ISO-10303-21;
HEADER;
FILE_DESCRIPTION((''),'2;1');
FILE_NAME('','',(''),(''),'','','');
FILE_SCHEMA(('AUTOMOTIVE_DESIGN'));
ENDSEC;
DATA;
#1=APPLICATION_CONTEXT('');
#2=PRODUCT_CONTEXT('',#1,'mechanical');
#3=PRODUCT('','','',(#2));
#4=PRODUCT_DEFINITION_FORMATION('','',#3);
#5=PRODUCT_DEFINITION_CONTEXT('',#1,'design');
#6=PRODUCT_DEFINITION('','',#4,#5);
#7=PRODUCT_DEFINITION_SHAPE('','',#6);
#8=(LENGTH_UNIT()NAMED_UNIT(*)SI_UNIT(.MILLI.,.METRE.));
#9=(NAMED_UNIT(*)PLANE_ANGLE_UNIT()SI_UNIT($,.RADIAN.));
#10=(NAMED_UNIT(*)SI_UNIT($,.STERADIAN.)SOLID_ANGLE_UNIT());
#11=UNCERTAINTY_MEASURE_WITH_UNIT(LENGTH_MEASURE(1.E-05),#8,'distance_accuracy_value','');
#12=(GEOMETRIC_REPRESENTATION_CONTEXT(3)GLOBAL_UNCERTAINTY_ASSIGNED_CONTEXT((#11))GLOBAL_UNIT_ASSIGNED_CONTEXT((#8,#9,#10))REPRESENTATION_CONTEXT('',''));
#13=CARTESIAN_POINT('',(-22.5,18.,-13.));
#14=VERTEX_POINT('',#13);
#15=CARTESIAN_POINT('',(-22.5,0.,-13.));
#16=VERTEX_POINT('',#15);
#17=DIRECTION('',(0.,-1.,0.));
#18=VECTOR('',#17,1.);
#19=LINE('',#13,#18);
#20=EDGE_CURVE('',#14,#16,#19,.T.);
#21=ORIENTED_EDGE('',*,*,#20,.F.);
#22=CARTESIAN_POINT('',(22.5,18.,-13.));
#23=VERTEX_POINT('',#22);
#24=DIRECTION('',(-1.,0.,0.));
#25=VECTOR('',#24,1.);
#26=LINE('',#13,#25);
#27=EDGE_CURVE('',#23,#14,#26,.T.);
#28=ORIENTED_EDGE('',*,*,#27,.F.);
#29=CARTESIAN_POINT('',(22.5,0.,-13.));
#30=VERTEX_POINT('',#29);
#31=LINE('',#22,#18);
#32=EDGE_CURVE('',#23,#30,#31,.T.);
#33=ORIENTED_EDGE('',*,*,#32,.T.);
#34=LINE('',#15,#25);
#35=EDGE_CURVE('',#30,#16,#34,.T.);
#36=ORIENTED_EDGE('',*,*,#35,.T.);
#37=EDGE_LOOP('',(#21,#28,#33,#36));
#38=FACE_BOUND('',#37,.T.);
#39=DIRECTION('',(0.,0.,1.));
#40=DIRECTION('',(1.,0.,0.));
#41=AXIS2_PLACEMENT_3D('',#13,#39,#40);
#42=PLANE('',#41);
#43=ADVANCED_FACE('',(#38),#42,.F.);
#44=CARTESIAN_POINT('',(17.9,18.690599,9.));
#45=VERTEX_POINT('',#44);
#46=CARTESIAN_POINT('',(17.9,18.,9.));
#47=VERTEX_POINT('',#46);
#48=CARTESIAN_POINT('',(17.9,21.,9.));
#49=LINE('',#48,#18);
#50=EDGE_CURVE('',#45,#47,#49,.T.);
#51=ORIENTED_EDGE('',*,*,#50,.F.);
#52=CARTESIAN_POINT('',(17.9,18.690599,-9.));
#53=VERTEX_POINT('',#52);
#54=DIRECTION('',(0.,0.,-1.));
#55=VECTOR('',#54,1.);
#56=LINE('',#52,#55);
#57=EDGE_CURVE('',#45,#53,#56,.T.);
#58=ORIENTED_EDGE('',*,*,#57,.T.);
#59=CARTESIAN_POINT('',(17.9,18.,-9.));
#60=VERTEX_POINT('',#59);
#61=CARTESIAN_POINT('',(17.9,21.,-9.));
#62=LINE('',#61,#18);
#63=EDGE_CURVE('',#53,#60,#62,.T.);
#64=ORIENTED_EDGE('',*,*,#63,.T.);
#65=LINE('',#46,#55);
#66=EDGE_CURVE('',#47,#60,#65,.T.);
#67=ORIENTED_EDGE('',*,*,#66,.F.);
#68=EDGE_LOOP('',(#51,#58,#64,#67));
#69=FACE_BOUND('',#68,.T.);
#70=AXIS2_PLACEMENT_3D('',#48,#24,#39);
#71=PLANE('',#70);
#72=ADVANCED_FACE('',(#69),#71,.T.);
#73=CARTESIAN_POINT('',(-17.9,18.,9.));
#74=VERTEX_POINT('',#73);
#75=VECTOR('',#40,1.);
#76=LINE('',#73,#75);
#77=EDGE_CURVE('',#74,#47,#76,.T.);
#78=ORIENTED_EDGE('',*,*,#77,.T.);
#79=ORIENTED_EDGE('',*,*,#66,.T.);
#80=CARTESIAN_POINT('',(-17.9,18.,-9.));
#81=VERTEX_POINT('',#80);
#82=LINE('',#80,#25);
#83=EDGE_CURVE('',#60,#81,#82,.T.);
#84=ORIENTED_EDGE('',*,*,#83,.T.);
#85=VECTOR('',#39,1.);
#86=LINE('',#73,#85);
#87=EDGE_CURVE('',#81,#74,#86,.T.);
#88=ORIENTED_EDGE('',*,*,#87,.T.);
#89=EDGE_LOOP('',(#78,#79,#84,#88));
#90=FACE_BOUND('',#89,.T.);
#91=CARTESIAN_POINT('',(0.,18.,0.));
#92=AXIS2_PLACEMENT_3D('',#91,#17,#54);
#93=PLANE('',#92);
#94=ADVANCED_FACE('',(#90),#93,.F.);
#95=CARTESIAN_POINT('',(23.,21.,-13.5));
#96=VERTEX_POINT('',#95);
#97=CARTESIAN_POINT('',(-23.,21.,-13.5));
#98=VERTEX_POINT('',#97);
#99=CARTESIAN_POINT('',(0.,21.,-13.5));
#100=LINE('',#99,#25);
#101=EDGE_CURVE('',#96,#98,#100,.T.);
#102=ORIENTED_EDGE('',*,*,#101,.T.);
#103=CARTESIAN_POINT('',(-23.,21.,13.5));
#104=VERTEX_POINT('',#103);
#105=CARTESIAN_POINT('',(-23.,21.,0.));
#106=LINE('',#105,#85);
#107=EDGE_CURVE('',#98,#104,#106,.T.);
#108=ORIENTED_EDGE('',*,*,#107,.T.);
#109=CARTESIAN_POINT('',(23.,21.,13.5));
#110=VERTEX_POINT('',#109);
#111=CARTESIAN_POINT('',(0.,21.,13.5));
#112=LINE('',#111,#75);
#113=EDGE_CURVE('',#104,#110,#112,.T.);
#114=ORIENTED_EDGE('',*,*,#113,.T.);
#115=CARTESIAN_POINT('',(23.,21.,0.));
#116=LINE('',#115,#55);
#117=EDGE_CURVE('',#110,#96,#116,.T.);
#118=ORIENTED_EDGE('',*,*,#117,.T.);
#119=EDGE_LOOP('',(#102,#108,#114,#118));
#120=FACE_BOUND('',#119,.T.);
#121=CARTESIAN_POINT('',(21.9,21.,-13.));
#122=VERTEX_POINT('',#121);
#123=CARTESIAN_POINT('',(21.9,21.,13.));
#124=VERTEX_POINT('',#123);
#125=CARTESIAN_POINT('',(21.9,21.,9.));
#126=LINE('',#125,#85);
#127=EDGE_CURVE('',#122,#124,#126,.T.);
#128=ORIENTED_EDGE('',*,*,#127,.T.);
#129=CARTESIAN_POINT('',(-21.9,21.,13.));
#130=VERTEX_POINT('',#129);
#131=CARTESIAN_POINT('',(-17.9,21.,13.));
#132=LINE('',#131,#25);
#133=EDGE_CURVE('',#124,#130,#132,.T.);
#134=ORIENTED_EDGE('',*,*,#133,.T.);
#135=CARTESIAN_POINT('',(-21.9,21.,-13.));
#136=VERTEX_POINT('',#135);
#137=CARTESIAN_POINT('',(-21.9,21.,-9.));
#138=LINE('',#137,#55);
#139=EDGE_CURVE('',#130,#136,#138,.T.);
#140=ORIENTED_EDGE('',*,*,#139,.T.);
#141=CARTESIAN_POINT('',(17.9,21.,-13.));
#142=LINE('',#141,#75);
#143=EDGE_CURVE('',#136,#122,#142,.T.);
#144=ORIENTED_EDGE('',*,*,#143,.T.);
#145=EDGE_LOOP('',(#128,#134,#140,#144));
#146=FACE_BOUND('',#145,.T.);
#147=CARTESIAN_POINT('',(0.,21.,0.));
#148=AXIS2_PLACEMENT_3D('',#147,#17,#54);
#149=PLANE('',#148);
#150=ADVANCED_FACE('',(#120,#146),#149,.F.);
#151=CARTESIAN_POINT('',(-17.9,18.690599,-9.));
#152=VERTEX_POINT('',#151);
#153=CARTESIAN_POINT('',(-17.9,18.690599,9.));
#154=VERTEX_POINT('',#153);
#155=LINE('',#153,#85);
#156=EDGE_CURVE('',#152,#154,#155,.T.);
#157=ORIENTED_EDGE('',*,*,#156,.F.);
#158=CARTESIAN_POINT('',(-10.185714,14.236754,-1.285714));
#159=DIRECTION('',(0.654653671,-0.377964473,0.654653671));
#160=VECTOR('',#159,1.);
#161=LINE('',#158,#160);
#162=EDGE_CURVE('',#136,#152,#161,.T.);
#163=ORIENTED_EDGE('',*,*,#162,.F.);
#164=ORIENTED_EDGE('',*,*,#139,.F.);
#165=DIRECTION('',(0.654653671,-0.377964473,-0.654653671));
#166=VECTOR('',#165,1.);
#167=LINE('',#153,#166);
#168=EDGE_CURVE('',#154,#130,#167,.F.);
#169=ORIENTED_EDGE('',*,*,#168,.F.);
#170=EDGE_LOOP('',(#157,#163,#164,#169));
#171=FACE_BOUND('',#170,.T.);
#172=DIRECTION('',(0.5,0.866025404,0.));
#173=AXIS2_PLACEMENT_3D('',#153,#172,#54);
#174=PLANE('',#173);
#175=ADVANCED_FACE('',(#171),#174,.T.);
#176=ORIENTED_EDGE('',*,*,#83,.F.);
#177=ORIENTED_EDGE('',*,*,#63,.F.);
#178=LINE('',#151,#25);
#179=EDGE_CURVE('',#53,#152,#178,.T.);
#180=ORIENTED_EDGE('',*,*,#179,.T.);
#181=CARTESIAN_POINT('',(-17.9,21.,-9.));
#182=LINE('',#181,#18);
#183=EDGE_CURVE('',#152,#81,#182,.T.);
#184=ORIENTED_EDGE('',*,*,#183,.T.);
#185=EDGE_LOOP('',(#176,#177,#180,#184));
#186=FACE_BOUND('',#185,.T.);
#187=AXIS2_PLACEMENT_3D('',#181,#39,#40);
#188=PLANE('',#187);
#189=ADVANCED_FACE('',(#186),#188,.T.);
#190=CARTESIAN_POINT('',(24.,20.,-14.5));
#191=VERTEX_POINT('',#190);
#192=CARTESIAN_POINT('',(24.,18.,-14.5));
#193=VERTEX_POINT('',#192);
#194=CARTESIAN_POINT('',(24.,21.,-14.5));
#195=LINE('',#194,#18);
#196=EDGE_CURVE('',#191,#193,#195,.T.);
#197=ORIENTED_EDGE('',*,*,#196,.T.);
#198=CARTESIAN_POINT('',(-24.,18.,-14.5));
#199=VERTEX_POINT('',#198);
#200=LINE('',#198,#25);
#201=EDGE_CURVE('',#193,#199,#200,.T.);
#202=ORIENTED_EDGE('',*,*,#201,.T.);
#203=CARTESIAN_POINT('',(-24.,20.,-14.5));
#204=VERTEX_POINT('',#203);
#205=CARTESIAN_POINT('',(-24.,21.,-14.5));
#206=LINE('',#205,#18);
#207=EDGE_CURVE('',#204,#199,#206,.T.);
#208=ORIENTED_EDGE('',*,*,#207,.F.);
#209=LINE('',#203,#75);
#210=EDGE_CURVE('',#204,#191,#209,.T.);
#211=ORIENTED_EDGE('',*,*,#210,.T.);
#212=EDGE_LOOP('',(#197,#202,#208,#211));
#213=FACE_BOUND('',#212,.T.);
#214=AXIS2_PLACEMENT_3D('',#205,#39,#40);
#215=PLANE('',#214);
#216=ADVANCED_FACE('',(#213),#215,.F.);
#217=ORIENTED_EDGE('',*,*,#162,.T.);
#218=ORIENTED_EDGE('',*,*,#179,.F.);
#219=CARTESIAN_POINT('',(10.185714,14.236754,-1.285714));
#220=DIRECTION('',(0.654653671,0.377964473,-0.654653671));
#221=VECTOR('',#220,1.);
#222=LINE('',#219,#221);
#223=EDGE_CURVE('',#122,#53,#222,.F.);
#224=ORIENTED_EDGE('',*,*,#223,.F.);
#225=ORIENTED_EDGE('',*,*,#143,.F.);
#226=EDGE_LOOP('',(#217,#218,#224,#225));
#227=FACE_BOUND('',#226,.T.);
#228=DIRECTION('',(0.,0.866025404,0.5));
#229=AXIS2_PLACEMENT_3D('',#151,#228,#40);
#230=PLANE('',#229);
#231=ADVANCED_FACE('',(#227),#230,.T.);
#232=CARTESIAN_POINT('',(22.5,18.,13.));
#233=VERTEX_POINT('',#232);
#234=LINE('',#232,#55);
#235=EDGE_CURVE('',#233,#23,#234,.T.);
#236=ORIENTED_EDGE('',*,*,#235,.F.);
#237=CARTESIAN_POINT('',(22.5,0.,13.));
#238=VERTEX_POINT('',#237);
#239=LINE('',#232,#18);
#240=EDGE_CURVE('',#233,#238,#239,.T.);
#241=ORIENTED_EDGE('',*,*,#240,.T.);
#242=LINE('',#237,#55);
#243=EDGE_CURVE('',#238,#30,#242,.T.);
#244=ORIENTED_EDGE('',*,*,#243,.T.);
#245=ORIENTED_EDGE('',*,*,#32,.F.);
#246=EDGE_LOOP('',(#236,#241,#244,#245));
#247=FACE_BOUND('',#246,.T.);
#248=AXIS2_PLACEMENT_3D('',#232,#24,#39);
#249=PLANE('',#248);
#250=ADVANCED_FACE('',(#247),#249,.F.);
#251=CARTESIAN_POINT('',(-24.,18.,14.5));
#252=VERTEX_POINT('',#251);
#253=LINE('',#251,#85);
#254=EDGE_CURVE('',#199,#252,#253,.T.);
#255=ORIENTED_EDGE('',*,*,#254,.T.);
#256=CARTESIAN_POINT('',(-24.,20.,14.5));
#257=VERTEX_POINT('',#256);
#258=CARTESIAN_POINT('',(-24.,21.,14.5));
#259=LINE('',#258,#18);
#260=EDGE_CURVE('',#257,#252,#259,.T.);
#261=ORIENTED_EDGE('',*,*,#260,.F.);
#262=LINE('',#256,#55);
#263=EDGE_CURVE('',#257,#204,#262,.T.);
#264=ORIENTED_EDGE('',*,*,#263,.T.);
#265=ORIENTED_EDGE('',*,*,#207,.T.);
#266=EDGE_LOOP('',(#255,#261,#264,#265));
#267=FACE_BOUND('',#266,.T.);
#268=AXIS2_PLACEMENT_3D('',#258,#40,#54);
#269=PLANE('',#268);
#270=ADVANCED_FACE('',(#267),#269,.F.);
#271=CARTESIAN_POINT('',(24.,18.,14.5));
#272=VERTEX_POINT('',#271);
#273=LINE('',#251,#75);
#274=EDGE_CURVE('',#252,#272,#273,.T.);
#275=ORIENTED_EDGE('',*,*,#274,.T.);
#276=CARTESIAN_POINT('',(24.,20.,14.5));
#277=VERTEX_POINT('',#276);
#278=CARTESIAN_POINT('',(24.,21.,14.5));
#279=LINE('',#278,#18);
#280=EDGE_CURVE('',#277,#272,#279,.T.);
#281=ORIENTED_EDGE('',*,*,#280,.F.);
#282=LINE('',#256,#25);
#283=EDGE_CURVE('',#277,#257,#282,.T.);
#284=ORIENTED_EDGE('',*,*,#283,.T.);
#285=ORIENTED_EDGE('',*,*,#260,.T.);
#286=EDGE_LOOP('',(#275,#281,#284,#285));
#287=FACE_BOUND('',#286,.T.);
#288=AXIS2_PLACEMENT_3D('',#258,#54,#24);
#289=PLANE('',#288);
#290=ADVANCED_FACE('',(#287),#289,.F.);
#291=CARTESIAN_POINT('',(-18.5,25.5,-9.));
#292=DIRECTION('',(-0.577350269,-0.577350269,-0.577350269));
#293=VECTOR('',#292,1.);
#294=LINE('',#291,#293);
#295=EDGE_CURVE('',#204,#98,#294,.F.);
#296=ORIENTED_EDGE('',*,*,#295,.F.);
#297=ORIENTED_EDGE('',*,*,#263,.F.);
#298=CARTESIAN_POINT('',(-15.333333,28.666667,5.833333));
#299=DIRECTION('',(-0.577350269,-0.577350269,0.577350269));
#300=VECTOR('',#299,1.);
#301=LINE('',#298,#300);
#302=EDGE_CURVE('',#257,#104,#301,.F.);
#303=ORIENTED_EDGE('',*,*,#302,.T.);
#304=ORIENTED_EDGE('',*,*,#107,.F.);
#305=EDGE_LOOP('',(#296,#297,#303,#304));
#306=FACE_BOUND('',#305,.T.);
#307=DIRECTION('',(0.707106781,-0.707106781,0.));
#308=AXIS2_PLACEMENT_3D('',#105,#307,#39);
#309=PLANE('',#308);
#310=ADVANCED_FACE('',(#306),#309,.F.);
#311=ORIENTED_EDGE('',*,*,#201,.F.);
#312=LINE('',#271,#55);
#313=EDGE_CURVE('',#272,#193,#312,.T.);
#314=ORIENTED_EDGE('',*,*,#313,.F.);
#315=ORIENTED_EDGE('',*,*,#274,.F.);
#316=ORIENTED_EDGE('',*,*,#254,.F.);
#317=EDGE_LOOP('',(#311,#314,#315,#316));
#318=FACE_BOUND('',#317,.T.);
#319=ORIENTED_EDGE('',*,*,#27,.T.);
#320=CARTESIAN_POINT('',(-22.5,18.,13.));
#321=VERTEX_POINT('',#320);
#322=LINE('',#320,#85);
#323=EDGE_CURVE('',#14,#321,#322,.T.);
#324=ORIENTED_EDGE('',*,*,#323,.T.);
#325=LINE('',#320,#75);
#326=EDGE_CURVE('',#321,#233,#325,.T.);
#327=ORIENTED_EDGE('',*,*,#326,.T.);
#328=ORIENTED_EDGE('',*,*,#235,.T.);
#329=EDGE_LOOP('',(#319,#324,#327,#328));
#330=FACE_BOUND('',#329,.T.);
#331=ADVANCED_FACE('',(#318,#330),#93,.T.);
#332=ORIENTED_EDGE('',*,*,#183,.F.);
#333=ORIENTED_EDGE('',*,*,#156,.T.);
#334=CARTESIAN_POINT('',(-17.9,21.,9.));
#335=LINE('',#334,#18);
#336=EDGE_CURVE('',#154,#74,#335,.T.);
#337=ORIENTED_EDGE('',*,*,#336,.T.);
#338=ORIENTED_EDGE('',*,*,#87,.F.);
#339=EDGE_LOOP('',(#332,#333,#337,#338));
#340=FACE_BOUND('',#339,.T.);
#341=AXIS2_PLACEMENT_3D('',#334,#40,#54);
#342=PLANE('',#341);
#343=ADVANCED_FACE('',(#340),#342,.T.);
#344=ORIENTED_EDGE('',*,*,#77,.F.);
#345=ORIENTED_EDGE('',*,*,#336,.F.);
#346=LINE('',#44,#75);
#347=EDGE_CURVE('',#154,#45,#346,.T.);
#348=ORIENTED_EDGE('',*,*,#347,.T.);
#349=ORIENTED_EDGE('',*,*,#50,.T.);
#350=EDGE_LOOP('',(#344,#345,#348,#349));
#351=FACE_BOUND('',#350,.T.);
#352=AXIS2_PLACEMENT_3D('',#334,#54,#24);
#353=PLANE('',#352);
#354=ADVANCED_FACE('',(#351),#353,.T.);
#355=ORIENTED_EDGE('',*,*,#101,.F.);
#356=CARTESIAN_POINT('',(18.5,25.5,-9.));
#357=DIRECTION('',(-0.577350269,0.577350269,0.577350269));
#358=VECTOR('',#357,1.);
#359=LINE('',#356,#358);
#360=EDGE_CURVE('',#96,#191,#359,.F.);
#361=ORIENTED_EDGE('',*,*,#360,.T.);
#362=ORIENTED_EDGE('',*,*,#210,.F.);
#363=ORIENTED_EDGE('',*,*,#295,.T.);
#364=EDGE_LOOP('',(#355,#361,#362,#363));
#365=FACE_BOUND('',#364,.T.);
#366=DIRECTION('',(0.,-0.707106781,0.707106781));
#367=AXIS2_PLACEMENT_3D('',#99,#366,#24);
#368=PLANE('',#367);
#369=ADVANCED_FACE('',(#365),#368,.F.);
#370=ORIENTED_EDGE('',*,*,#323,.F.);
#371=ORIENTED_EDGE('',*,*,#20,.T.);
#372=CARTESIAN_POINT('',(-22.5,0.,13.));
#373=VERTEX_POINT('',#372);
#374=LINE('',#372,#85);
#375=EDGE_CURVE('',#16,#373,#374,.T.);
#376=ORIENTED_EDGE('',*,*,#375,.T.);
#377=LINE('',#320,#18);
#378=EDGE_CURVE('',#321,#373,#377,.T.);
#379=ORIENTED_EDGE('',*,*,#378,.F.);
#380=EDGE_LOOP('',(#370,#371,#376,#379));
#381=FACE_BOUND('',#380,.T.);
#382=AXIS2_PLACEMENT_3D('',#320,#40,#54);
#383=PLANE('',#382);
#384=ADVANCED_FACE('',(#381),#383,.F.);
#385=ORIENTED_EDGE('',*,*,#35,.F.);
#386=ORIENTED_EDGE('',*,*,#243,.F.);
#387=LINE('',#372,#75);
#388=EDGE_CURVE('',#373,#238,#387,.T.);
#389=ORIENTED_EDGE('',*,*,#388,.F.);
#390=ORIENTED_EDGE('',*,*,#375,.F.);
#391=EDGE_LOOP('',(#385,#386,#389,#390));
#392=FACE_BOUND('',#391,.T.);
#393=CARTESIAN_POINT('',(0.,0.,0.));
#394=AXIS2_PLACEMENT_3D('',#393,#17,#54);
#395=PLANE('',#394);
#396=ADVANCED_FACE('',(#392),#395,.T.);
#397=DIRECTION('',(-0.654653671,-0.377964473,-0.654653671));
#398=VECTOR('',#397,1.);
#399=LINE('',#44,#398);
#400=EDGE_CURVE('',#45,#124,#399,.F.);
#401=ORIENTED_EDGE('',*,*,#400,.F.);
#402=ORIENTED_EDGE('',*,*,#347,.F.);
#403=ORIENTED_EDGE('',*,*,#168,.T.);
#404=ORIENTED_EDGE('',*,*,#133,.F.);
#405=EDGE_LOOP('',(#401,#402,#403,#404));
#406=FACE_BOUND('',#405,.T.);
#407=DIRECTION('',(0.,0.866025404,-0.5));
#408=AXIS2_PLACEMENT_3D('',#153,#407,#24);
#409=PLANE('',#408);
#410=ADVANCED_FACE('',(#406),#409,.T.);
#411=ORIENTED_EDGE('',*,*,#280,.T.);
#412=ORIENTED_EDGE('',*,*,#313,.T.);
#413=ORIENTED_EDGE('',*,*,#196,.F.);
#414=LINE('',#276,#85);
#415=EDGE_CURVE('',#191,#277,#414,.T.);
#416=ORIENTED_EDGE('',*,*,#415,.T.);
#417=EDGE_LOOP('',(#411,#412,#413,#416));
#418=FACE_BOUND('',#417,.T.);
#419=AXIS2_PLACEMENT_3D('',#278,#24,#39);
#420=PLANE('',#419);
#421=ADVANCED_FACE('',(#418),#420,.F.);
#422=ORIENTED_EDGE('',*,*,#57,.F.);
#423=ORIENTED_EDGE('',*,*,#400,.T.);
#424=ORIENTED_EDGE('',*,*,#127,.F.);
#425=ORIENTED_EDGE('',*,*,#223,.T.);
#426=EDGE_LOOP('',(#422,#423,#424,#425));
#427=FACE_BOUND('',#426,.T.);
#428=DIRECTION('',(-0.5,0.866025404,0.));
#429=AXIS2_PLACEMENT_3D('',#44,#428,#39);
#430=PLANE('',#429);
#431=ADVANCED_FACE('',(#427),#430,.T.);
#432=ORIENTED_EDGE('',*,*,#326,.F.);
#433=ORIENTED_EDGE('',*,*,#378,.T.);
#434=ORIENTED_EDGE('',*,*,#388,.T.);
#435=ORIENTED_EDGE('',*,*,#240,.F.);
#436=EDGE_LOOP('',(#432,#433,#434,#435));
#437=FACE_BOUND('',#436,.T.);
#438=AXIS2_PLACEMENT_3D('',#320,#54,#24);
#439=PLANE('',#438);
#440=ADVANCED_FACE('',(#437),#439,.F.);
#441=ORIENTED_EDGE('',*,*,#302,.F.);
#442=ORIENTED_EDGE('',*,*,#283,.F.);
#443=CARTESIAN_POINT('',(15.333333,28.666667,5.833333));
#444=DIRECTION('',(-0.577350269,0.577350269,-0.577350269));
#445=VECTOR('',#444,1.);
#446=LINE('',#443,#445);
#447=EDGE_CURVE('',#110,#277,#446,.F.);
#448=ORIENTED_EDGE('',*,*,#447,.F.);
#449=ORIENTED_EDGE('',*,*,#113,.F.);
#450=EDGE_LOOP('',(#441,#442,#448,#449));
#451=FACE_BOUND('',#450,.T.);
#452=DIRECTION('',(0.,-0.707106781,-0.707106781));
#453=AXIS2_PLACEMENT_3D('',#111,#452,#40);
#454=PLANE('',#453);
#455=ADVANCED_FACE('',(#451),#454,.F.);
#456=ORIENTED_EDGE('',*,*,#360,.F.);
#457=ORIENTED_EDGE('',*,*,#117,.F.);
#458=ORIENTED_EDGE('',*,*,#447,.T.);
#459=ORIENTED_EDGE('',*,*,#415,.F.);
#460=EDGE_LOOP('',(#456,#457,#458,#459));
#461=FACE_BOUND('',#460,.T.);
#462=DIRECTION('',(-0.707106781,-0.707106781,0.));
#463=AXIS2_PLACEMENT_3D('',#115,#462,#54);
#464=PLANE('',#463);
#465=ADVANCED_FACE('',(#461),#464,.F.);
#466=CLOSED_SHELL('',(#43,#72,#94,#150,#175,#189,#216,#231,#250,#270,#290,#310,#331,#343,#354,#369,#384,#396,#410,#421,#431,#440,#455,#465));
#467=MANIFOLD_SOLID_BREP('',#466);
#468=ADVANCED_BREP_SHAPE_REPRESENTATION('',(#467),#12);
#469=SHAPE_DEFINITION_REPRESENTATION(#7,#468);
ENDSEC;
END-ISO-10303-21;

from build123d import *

# Parameters (mm, degrees)
SKETCH1_W           = 45
SKETCH1_H           = 26
BOSS_EXTRUDE1_DEPTH = 18
SKETCH2_W           = 48
SKETCH2_H           = 29
SKETCH2_W_2         = 35.8
SKETCH2_H_2         = 18
BOSS_EXTRUDE2_DEPTH = 3
CHAMFER1_SIZE       = 1
CHAMFER2_SIZE       = 4
CHAMFER2_SIZE2      = 2.309401077


with BuildPart() as part:
    # Sketch1 → Boss-Extrude1 (new body)
    with BuildSketch(Plane(origin=(0, 0, 0), x_dir=(1, 0, 0), z_dir=(0, 1, 0))):
        Rectangle(SKETCH1_W, SKETCH1_H)
    extrude(amount=BOSS_EXTRUDE1_DEPTH)

    # Sketch2 → Boss-Extrude2 (add)
    with BuildSketch(Plane(origin=(0, 18, 0), x_dir=(1, 0, 0), z_dir=(0, 1, 0))):
        Rectangle(SKETCH2_W, SKETCH2_H)
        Rectangle(SKETCH2_W_2, SKETCH2_H_2, mode=Mode.SUBTRACT)
    extrude(amount=BOSS_EXTRUDE2_DEPTH)

    # Chamfer1
    chamfer1_edges = [part.edges().sort_by_distance(p)[0] for p in [
        (24, 21, 0),
        (0, 21, -14.5),
        (-24, 21, 0),
        (0, 21, 14.5),
    ]]
    chamfer(chamfer1_edges, length=CHAMFER1_SIZE)

    # Chamfer2
    chamfer2_edges = [part.edges().sort_by_distance(p)[0] for p in [
        (17.9, 21, 0),
        (0, 21, -9),
        (-17.9, 21, 0),
        (0, 21, 9),
    ]]
    chamfer2_side = [part.faces().sort_by_distance(p)[0] for p in [
        (22.466614586, 21, 0),
    ]]
    chamfer(chamfer2_edges, length=CHAMFER2_SIZE, length2=CHAMFER2_SIZE2, reference=chamfer2_side[0])


solid = part.part
